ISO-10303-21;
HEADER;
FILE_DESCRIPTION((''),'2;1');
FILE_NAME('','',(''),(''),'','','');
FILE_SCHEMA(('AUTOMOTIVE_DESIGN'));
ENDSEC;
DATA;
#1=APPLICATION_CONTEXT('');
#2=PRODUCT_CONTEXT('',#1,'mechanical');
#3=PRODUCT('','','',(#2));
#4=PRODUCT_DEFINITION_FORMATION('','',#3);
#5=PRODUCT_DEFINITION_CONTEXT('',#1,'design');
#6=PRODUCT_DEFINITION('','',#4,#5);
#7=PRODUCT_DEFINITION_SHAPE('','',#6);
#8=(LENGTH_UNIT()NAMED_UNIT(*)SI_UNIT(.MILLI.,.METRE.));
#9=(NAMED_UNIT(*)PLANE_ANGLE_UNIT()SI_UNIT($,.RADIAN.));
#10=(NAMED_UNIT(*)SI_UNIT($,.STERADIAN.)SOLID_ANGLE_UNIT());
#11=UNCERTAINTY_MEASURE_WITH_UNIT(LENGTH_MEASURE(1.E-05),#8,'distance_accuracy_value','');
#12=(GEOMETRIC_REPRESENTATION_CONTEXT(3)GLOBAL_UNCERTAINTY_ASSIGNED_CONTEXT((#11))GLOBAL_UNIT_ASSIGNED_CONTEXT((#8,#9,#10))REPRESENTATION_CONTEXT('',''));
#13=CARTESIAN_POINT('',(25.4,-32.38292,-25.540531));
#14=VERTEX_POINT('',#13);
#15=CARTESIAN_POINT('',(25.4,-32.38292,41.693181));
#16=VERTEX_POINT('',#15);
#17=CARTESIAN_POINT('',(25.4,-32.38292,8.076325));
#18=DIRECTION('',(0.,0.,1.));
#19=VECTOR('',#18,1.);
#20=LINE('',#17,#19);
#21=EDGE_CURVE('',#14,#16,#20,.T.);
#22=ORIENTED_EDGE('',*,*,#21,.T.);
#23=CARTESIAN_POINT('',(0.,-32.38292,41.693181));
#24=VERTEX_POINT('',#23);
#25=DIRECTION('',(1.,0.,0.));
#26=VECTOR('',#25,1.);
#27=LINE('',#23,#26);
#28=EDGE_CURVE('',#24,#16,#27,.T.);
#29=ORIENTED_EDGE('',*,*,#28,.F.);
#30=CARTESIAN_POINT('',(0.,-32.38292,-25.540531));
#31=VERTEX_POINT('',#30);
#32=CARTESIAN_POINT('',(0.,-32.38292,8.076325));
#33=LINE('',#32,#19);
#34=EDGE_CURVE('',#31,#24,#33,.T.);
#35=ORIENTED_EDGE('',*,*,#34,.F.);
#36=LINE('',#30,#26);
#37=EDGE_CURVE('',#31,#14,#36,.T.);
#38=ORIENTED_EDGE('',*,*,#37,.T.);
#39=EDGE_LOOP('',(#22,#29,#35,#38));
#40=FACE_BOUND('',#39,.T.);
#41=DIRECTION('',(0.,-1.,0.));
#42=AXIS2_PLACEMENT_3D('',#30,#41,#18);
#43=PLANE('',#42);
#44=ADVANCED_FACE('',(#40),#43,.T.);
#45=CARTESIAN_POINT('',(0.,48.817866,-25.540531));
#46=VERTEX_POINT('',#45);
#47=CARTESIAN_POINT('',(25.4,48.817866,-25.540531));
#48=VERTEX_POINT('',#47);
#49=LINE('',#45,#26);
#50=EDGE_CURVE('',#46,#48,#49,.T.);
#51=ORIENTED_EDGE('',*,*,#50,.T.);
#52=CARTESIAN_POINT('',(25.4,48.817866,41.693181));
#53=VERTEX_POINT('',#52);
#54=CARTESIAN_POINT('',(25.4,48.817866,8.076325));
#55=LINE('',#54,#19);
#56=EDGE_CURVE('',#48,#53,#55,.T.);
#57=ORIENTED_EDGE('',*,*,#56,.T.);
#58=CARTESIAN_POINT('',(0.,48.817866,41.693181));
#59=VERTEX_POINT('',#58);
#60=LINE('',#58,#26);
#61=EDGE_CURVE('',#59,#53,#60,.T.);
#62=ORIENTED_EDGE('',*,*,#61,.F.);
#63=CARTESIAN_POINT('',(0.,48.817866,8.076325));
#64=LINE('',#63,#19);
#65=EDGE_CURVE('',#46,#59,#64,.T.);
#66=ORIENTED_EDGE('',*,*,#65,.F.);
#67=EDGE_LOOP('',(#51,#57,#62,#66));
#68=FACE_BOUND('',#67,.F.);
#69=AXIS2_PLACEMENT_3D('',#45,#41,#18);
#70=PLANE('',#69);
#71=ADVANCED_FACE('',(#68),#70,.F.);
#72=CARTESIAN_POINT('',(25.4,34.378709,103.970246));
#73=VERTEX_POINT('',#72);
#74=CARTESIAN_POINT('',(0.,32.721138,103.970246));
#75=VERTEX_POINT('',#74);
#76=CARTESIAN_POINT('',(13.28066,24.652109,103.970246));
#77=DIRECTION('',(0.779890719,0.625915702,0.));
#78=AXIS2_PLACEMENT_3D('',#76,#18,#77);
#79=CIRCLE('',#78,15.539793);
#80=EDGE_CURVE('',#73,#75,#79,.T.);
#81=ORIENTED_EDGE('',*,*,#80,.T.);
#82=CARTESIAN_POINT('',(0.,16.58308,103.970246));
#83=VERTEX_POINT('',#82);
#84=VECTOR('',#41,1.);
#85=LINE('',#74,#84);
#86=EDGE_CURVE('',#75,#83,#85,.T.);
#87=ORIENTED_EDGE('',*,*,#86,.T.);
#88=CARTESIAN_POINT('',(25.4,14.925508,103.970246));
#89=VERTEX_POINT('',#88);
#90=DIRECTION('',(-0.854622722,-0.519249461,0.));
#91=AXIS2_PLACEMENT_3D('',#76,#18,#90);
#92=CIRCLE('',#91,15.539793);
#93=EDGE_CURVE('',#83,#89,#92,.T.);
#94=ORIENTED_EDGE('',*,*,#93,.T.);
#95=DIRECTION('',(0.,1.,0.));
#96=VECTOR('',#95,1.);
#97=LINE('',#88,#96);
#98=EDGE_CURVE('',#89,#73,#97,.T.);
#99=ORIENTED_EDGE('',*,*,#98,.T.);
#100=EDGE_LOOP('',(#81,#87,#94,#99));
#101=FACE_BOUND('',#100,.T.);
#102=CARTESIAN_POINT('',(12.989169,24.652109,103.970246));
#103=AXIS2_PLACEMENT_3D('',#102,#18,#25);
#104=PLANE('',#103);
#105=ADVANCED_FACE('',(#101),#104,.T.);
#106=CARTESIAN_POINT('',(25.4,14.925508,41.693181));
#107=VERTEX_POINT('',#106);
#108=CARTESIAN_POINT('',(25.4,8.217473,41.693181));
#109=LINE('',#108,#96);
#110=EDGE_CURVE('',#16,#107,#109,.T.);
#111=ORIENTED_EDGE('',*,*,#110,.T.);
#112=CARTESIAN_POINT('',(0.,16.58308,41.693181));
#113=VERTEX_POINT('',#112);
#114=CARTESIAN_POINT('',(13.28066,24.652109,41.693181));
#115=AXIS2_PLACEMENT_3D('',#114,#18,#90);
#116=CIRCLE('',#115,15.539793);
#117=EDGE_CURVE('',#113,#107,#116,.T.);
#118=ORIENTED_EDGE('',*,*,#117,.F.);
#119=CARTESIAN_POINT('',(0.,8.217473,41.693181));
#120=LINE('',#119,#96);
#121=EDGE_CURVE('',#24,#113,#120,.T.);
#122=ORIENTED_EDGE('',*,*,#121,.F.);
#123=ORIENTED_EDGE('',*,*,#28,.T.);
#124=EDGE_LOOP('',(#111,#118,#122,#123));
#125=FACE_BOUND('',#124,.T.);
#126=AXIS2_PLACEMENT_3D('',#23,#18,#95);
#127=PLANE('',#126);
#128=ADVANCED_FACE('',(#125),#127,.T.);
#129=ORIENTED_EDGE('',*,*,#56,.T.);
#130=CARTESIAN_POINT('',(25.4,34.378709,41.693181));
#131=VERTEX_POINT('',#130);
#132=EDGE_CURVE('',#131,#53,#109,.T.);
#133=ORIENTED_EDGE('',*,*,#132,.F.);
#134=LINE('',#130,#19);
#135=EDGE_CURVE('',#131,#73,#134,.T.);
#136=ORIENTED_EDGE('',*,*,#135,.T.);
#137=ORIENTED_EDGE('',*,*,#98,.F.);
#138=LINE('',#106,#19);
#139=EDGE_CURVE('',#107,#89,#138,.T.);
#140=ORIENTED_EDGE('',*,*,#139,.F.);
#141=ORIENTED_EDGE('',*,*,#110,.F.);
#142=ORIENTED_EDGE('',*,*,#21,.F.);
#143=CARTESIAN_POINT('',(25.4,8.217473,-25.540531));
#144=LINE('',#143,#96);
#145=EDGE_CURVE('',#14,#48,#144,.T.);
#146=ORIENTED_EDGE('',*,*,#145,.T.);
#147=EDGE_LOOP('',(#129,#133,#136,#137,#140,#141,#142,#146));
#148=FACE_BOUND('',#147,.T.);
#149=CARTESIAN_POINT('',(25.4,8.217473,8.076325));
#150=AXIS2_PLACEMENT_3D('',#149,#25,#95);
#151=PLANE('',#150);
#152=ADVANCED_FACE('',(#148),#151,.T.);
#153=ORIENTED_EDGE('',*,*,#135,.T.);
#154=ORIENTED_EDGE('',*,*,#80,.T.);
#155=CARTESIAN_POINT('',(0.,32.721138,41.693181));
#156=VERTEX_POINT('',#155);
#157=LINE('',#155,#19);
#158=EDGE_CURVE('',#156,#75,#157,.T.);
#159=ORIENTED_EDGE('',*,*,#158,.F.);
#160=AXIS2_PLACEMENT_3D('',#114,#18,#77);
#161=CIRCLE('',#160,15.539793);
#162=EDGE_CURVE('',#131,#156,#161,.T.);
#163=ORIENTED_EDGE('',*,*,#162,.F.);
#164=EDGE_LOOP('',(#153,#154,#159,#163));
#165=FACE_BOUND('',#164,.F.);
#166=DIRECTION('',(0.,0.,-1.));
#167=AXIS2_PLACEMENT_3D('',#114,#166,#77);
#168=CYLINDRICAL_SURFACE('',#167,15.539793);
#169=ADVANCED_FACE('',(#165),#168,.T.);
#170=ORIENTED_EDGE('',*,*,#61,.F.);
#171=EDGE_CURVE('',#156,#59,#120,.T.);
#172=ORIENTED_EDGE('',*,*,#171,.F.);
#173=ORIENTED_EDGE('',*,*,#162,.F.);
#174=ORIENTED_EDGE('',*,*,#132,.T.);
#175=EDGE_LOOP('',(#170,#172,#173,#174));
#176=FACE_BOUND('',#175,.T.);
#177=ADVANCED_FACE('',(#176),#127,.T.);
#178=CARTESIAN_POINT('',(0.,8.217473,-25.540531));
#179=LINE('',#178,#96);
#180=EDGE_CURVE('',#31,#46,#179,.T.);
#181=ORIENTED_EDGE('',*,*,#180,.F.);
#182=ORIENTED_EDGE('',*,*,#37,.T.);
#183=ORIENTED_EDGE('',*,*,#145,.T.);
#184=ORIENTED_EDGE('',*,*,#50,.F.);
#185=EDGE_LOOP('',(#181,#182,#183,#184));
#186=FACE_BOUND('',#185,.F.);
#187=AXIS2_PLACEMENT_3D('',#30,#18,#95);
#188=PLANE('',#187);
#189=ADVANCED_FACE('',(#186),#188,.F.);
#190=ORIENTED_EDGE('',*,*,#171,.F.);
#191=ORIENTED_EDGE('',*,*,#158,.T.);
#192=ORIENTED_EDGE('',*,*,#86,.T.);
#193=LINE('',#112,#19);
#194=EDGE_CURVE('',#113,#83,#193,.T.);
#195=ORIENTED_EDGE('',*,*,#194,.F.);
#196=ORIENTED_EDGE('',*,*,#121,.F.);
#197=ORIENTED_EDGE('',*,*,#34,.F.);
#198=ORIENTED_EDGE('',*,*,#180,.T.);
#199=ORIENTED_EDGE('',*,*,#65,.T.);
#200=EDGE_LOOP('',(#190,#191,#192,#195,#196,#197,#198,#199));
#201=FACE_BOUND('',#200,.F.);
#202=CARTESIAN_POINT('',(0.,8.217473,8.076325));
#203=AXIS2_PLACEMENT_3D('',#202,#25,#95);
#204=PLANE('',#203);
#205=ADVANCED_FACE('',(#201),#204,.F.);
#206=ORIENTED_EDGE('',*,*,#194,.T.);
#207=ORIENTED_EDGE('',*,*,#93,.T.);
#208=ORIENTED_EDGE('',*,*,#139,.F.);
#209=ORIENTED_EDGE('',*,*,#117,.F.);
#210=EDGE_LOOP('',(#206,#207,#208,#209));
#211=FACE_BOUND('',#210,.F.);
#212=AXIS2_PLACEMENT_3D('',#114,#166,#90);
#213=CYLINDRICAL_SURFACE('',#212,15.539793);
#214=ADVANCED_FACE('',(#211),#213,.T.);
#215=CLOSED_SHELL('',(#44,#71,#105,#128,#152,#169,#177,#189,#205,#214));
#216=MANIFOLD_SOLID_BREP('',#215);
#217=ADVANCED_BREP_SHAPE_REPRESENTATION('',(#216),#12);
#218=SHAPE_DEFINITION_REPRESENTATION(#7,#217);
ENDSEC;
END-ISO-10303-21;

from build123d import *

# Parameters (mm, degrees)
F0_W     = 81.2007859349
F0_H     = 67.2337114811
F1_DEPTH = 25.4
F3_DEPTH = 62.27706559


with BuildPart() as f1:
    # F0 (on Right) → F1 (new body)
    with BuildSketch(Plane.YZ):
        with Locations((8.2174725831, 8.0763250589)):
            Rectangle(F0_W, F0_H)
    extrude(amount=F1_DEPTH)

    # F2 (on face) → F3 (join)
    with BuildSketch(Plane.XY.offset(41.6931807995)):
        with BuildLine():
            Line((25.4, 14.9255083167), (25.4, 34.3787087835))
            ThreePointArc((25.4, 34.3787087835), (12.2687055862, 40.1589168825), (0, 32.721137517))
            Line((0, 32.721137517), (0, 16.5830795832))
            ThreePointArc((0, 16.5830795832), (12.2687055862, 9.1453002176), (25.4, 14.9255083167))
        make_face()
    extrude(amount=F3_DEPTH)


solid = f1.part
